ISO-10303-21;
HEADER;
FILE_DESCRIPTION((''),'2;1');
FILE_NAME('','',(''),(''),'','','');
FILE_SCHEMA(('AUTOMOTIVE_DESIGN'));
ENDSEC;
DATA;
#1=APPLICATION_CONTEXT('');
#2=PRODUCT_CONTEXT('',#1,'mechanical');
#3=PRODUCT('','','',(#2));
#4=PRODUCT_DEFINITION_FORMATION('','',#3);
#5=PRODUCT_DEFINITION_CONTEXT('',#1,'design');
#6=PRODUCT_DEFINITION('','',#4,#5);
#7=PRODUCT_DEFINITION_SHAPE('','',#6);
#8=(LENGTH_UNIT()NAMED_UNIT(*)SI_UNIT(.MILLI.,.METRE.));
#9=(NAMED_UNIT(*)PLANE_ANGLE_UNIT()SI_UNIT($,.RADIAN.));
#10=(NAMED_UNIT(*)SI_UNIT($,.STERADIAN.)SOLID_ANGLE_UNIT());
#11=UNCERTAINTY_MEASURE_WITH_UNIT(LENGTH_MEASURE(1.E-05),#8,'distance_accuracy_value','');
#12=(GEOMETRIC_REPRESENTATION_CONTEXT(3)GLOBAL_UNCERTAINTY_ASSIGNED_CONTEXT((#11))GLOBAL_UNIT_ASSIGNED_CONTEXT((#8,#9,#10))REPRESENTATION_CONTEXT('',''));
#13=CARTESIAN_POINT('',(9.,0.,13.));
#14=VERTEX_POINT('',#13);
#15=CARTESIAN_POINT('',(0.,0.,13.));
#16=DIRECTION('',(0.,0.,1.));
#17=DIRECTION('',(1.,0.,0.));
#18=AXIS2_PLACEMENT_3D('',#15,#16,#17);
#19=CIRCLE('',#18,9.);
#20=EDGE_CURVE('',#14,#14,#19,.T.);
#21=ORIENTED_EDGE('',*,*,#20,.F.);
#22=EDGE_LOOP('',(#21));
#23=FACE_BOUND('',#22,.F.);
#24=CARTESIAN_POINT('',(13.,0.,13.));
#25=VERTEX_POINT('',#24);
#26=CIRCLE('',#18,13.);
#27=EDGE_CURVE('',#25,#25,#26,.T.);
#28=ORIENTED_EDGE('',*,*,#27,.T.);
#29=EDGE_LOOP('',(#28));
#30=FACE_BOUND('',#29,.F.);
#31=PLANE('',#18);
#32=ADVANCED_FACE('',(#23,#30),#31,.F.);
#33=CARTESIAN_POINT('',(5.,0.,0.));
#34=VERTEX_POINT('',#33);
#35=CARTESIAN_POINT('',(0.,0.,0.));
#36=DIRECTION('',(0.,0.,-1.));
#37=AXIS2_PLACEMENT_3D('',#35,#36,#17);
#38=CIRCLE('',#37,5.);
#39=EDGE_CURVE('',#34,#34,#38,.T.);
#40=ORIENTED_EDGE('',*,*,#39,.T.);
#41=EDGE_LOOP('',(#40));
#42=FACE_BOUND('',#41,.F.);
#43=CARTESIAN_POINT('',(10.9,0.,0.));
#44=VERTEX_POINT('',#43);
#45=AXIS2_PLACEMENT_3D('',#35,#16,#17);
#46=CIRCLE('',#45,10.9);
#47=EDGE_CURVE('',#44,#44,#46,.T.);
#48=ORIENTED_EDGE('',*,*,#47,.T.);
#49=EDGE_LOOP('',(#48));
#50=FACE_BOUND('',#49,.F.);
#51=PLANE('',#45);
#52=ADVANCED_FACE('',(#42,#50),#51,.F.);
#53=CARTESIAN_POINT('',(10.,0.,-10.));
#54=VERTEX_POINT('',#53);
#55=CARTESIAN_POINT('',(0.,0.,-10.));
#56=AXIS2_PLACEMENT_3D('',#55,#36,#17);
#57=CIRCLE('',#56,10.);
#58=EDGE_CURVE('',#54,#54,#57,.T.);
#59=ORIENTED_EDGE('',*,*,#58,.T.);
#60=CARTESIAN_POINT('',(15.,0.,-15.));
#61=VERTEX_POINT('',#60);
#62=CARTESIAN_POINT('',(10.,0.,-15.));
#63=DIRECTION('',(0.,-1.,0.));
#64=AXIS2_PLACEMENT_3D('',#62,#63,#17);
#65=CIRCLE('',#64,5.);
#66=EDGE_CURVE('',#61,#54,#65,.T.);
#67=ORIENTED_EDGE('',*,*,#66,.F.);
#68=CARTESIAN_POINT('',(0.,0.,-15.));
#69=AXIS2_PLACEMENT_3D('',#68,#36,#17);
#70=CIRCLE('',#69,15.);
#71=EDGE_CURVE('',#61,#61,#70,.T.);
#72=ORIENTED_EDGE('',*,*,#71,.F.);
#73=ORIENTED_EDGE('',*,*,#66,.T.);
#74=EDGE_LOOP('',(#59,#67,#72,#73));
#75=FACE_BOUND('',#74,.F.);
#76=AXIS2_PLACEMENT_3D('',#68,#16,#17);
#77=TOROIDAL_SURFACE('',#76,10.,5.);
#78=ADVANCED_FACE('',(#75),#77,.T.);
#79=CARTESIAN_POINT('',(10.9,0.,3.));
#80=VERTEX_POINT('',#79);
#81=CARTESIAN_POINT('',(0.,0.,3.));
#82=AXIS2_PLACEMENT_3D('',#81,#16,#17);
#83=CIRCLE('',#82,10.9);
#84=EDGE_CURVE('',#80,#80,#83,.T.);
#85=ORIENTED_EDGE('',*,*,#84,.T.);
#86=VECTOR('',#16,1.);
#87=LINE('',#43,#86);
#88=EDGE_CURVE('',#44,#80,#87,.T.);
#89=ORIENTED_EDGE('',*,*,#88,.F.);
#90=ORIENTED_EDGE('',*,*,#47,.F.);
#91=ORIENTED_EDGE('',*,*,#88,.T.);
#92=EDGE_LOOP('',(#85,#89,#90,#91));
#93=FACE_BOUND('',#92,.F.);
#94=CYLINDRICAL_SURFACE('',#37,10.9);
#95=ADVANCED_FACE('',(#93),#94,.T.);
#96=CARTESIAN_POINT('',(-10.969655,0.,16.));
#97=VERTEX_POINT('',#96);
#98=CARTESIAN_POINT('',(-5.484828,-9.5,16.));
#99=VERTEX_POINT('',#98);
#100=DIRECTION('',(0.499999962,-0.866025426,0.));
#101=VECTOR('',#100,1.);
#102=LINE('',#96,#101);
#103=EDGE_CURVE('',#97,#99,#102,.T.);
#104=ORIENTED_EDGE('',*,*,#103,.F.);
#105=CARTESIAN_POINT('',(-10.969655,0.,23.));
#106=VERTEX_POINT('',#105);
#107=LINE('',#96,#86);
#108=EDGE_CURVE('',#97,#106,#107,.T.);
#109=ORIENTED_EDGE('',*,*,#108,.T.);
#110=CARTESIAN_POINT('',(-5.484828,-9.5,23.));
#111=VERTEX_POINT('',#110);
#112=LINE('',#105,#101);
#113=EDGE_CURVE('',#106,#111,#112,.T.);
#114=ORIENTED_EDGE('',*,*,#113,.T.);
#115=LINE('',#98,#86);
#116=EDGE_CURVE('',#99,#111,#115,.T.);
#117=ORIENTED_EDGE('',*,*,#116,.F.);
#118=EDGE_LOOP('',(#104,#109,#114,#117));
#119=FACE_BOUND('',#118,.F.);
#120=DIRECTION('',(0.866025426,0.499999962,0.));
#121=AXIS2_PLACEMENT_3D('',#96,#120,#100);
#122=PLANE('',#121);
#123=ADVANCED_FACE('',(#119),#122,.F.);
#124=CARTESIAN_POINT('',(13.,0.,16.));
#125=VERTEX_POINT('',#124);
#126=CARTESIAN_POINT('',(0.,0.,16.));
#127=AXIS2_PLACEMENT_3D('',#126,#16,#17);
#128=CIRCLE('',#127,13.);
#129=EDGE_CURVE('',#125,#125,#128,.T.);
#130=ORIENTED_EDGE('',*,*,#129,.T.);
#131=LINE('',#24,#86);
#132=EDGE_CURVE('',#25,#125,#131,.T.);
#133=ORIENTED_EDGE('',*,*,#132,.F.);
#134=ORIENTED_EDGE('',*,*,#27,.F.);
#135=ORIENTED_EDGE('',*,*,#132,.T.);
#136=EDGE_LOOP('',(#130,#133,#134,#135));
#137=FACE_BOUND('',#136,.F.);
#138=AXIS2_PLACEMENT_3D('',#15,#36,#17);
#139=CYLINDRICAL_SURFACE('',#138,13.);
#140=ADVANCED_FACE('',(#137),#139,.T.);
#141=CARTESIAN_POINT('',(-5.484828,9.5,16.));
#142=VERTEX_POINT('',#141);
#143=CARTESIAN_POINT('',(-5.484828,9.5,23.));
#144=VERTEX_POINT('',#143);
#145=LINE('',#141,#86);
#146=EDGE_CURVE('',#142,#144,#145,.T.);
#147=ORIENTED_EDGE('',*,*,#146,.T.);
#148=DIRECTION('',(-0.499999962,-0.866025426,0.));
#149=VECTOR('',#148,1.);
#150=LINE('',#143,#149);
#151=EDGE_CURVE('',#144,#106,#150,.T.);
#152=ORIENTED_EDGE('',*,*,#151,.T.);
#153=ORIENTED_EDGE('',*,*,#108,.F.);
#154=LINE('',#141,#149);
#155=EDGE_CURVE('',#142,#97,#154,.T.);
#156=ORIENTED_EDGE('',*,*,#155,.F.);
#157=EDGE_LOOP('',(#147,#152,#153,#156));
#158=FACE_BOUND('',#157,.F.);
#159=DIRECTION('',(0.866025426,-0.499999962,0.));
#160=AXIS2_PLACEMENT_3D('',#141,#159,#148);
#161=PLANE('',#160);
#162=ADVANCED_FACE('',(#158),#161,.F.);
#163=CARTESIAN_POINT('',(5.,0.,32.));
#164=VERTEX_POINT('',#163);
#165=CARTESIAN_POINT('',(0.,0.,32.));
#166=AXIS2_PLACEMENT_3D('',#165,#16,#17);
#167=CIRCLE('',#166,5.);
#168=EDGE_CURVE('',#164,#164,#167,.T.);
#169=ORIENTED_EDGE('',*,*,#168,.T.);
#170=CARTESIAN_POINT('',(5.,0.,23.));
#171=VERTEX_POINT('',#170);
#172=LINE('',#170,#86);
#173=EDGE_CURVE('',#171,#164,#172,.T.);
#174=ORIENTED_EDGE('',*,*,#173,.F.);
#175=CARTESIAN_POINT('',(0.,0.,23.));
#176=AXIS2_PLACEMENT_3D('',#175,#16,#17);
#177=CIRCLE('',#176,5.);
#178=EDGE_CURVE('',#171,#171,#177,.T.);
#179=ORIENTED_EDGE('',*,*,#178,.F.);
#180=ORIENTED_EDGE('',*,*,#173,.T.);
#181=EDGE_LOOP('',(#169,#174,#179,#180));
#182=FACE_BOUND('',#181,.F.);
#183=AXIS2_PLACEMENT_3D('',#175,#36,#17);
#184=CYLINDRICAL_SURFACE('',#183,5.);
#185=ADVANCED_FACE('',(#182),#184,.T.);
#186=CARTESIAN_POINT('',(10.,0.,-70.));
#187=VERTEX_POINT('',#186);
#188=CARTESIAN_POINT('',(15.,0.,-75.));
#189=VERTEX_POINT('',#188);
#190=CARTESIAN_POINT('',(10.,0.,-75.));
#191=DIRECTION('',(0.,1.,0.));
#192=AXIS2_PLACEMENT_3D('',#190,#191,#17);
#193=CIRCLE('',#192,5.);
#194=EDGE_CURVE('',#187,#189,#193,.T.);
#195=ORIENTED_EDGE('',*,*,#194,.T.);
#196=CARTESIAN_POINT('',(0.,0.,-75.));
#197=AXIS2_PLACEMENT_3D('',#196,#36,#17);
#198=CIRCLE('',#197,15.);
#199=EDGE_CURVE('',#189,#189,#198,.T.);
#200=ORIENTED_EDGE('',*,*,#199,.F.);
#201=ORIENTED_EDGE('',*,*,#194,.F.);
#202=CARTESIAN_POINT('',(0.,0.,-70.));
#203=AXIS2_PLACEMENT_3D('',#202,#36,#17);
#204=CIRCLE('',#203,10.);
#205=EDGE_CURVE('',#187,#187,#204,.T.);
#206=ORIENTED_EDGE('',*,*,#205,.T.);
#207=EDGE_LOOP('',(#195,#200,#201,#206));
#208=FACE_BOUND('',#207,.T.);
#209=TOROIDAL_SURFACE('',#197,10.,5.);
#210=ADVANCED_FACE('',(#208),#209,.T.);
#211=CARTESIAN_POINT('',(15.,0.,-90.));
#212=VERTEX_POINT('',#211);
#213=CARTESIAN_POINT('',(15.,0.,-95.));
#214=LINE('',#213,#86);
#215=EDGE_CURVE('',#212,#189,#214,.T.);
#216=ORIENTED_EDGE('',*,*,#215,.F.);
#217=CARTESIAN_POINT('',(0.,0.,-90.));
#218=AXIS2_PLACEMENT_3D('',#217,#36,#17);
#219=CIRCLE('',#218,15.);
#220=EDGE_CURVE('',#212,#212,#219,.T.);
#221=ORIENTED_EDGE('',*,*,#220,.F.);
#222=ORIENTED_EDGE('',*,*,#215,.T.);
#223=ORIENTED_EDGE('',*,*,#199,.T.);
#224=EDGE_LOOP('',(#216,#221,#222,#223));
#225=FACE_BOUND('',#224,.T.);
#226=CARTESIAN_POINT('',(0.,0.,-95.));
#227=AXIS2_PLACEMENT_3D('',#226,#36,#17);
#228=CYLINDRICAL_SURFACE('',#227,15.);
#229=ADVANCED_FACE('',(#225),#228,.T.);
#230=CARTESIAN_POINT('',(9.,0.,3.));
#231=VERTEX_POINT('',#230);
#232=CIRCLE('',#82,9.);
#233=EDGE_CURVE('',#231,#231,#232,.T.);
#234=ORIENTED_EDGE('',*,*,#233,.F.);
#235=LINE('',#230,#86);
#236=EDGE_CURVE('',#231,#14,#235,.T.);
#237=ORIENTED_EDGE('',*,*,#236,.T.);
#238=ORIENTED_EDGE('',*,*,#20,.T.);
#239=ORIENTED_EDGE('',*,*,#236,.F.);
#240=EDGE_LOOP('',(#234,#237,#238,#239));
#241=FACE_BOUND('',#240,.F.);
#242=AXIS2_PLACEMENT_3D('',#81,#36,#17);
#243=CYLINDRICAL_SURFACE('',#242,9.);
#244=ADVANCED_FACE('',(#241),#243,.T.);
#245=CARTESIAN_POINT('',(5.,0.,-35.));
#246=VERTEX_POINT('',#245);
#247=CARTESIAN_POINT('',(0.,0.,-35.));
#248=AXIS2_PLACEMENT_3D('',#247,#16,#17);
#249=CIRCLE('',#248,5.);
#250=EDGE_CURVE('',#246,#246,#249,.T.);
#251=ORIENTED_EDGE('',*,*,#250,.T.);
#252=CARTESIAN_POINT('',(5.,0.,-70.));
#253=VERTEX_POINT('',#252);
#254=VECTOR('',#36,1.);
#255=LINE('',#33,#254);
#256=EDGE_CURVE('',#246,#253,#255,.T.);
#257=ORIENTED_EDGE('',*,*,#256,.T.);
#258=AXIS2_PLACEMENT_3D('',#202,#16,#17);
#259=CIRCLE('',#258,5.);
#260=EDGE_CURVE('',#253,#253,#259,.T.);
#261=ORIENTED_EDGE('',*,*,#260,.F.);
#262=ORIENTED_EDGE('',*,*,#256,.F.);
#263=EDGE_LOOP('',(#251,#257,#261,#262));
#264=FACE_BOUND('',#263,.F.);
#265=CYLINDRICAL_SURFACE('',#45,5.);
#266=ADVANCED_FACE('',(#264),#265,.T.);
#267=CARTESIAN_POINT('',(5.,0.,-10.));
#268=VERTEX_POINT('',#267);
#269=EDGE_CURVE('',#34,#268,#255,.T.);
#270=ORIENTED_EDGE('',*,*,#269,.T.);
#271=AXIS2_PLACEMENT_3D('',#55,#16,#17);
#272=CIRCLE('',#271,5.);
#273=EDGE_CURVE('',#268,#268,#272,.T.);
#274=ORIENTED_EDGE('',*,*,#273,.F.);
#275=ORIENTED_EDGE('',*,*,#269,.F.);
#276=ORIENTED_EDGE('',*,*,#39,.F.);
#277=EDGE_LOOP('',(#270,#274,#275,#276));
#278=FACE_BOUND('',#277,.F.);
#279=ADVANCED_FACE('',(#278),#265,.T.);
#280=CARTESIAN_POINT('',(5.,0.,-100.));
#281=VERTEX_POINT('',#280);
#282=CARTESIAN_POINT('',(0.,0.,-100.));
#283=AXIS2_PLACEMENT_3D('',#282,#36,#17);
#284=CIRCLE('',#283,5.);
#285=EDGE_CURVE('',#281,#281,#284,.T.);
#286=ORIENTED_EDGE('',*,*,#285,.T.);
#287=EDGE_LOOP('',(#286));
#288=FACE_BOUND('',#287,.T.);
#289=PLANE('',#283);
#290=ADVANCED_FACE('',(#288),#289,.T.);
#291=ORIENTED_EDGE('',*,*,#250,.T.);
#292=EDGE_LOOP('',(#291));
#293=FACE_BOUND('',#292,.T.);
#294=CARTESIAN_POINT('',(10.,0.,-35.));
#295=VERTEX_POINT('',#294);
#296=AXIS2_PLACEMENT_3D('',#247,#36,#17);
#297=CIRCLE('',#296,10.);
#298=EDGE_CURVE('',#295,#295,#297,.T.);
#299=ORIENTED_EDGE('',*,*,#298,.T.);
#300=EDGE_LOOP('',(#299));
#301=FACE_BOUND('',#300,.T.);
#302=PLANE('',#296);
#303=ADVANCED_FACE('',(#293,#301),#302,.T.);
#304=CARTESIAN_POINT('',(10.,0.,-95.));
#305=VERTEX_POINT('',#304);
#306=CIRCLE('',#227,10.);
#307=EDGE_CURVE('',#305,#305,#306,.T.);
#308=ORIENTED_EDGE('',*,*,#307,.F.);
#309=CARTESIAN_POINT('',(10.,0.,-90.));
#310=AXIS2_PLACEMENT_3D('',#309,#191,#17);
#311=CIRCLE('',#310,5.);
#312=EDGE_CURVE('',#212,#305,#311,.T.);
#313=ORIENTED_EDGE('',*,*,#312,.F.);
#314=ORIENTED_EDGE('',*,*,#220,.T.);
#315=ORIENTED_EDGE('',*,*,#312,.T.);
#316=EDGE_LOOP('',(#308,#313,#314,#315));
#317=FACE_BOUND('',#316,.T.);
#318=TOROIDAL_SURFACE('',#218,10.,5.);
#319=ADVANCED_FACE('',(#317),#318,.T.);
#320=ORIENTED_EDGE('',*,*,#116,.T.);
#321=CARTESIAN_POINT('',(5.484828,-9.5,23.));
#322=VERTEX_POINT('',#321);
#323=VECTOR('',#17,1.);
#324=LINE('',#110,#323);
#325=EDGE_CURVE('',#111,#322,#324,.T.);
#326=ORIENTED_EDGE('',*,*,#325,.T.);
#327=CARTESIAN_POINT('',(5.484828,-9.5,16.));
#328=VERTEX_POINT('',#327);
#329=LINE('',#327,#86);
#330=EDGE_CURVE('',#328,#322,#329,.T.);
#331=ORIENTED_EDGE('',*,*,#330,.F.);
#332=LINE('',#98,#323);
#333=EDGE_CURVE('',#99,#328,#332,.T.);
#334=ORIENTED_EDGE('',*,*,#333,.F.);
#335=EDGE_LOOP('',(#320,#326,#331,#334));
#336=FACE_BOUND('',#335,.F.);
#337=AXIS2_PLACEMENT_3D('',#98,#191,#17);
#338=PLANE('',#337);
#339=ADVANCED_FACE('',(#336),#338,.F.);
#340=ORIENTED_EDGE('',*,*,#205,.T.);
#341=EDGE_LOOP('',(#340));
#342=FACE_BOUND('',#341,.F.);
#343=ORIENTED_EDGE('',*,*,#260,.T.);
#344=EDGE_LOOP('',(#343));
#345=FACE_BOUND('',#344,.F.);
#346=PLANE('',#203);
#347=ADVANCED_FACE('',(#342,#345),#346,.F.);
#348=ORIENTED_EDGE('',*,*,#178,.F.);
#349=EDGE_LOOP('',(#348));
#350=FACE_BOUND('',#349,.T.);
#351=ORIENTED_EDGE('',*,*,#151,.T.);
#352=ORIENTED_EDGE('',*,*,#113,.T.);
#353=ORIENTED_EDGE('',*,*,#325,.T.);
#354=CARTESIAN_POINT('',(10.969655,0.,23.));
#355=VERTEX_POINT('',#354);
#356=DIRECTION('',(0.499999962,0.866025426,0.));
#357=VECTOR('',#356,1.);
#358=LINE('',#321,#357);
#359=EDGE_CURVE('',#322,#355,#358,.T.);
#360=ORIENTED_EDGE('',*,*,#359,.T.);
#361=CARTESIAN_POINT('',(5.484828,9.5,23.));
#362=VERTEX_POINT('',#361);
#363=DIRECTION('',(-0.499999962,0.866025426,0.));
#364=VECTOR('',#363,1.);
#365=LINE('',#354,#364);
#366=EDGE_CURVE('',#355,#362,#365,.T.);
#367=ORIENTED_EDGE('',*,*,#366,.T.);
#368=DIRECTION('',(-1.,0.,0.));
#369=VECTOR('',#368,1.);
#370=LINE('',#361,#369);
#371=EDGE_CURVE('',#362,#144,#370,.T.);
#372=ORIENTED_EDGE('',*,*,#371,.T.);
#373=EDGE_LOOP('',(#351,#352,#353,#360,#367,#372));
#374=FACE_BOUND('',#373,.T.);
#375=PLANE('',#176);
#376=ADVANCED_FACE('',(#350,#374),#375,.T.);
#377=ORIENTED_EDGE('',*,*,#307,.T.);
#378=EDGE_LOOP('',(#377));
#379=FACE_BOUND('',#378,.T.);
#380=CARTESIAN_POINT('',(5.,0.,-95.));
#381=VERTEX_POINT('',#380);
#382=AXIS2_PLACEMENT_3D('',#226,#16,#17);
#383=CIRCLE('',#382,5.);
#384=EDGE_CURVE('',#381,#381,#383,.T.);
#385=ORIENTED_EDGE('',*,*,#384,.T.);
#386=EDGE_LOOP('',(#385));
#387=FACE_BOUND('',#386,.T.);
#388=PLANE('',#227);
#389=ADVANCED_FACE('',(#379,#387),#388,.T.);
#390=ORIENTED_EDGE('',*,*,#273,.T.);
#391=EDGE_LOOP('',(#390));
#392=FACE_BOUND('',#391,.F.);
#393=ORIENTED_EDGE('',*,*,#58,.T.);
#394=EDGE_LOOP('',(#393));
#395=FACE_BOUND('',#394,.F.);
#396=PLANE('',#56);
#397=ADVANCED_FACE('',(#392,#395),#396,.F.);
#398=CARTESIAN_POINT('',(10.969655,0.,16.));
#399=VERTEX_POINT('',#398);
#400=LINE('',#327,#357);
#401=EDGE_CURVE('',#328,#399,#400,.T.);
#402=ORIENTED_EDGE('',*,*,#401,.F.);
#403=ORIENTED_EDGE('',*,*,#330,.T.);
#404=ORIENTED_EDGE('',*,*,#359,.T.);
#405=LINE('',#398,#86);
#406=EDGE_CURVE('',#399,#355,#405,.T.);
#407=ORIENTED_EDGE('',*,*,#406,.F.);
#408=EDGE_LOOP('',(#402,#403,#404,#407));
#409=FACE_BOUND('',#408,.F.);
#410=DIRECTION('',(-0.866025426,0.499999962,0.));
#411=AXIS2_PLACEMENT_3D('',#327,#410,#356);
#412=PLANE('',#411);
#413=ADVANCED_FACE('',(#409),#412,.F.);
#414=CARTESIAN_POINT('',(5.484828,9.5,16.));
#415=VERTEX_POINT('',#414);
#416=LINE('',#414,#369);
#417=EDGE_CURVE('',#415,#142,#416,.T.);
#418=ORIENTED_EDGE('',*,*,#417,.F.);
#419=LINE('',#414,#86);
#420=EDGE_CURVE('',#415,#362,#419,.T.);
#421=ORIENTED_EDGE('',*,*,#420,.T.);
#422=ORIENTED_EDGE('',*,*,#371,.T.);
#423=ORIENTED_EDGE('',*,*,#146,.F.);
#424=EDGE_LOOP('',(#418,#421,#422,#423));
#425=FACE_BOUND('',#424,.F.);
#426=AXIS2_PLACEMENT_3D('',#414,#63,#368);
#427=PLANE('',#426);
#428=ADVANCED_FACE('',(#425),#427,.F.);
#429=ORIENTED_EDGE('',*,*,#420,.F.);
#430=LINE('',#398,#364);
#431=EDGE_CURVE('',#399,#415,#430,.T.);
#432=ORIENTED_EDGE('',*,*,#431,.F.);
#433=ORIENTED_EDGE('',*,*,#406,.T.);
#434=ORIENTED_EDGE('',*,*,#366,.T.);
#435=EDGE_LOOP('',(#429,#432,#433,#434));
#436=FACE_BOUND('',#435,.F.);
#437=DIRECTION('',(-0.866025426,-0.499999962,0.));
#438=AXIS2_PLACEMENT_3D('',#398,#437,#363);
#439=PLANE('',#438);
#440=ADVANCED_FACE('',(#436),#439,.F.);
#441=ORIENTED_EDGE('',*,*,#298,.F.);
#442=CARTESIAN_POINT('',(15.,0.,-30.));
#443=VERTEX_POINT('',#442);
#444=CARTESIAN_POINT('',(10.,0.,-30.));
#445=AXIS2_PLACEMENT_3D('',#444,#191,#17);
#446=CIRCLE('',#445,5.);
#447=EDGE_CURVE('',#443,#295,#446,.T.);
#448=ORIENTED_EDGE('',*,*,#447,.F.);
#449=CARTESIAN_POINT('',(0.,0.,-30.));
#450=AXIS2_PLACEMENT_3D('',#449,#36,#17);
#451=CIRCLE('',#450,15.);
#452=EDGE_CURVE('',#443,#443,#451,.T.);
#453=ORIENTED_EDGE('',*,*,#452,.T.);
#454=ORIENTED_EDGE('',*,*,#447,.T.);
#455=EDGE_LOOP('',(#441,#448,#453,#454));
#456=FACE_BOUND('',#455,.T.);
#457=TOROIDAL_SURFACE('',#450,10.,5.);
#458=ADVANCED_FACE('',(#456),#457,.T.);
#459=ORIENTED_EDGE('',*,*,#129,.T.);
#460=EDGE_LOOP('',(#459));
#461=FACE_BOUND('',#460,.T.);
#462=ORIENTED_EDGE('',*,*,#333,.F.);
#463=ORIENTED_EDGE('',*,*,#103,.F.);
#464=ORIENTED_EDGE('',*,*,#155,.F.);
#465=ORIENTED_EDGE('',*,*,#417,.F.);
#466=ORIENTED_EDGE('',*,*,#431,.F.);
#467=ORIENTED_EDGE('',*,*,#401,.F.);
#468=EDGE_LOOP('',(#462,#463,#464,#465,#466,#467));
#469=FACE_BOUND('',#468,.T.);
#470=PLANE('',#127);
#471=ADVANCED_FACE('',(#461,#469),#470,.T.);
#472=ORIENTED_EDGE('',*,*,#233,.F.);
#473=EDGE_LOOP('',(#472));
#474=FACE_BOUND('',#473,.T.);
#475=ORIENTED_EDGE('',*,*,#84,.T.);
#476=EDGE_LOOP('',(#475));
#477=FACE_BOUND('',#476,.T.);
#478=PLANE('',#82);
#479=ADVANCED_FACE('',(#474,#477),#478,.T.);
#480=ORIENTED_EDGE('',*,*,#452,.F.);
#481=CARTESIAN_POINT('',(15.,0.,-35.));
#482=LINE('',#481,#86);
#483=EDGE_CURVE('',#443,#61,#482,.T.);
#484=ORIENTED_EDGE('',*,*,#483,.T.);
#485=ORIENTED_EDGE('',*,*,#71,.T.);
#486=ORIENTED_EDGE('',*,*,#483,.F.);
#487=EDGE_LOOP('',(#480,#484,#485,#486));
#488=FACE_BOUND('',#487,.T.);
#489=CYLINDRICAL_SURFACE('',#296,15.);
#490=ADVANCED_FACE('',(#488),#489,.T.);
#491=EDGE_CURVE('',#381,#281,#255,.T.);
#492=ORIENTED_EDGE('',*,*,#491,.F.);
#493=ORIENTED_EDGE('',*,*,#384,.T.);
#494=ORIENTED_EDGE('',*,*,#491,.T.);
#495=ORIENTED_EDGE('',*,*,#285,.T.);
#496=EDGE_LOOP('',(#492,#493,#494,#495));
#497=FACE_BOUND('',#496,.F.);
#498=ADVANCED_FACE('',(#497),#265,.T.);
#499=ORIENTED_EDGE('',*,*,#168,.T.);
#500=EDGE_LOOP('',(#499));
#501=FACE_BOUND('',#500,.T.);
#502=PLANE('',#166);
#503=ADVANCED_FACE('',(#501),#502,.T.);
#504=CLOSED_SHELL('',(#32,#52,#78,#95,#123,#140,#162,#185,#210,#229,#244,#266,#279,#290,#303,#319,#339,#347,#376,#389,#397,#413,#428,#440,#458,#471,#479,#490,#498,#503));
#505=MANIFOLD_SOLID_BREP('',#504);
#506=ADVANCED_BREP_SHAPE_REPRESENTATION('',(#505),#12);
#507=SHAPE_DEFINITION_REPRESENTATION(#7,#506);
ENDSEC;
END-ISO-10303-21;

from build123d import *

# Parameters (mm, degrees)
F0_R      = 10.9
F1_DEPTH  = 3
F2_R      = 9
F3_DEPTH  = 10
F4_R      = 13
F5_DEPTH  = 3
F7_DEPTH  = 7
F8_R      = 5
F9_DEPTH  = 9
F10_R     = 5
F11_DEPTH = 100
F13_R     = 15
F14_DEPTH = 25
F16_R     = 15
F17_DEPTH = 25
F18_R     = 5


with BuildPart() as f1:
    # F0 (on Top) → F1 (new body)
    with BuildSketch(Plane.XY):
        Circle(F0_R)
    extrude(amount=F1_DEPTH)

    # F2 (on face) → F3 (join)
    with BuildSketch(Plane.XY.offset(3)):
        Circle(F2_R)
    extrude(amount=F3_DEPTH)

    # F4 (on face) → F5 (join)
    with BuildSketch(Plane.XY.offset(13)):
        Circle(F4_R)
    extrude(amount=F5_DEPTH)

    # F6 (on face) → F7 (join)
    with BuildSketch(Plane.XY.offset(16)):
        Polygon((-5.484828, -9.5), (5.484828, -9.5), (10.969655, 0), (5.484828, 9.5), (-5.484828, 9.5), (-10.969655, 0), align=None)
    extrude(amount=F7_DEPTH)

    # F8 (on face) → F9 (join)
    with BuildSketch(Plane.XY.offset(23)):
        Circle(F8_R)
    extrude(amount=F9_DEPTH)

    # F10 (on face) → F11 (join)
    with BuildSketch(Plane(origin=(0, 0, 0), x_dir=(1, 0, 0), z_dir=(0, 0, -1))):
        Circle(F10_R)
    extrude(amount=F11_DEPTH)

    # F13 (on offset) → F14 (join)
    with BuildSketch(Plane(origin=(0, 0, -95), x_dir=(1, 0, 0), z_dir=(0, 0, -1))):
        Circle(F13_R)
    extrude(amount=-F14_DEPTH)

    # F16 (on offset) → F17 (join)
    with BuildSketch(Plane(origin=(0, 0, -35), x_dir=(1, 0, 0), z_dir=(0, 0, -1))):
        Circle(F16_R)
    extrude(amount=-F17_DEPTH)

    # F18
    f18_edges = [f1.edges().sort_by_distance(p)[0] for p in [
        (-15, 0, -70),
        (-15, 0, -95),
        (-15, 0, -10),
        (-15, 0, -35),
    ]]
    fillet(f18_edges, radius=F18_R)


solid = f1.part
